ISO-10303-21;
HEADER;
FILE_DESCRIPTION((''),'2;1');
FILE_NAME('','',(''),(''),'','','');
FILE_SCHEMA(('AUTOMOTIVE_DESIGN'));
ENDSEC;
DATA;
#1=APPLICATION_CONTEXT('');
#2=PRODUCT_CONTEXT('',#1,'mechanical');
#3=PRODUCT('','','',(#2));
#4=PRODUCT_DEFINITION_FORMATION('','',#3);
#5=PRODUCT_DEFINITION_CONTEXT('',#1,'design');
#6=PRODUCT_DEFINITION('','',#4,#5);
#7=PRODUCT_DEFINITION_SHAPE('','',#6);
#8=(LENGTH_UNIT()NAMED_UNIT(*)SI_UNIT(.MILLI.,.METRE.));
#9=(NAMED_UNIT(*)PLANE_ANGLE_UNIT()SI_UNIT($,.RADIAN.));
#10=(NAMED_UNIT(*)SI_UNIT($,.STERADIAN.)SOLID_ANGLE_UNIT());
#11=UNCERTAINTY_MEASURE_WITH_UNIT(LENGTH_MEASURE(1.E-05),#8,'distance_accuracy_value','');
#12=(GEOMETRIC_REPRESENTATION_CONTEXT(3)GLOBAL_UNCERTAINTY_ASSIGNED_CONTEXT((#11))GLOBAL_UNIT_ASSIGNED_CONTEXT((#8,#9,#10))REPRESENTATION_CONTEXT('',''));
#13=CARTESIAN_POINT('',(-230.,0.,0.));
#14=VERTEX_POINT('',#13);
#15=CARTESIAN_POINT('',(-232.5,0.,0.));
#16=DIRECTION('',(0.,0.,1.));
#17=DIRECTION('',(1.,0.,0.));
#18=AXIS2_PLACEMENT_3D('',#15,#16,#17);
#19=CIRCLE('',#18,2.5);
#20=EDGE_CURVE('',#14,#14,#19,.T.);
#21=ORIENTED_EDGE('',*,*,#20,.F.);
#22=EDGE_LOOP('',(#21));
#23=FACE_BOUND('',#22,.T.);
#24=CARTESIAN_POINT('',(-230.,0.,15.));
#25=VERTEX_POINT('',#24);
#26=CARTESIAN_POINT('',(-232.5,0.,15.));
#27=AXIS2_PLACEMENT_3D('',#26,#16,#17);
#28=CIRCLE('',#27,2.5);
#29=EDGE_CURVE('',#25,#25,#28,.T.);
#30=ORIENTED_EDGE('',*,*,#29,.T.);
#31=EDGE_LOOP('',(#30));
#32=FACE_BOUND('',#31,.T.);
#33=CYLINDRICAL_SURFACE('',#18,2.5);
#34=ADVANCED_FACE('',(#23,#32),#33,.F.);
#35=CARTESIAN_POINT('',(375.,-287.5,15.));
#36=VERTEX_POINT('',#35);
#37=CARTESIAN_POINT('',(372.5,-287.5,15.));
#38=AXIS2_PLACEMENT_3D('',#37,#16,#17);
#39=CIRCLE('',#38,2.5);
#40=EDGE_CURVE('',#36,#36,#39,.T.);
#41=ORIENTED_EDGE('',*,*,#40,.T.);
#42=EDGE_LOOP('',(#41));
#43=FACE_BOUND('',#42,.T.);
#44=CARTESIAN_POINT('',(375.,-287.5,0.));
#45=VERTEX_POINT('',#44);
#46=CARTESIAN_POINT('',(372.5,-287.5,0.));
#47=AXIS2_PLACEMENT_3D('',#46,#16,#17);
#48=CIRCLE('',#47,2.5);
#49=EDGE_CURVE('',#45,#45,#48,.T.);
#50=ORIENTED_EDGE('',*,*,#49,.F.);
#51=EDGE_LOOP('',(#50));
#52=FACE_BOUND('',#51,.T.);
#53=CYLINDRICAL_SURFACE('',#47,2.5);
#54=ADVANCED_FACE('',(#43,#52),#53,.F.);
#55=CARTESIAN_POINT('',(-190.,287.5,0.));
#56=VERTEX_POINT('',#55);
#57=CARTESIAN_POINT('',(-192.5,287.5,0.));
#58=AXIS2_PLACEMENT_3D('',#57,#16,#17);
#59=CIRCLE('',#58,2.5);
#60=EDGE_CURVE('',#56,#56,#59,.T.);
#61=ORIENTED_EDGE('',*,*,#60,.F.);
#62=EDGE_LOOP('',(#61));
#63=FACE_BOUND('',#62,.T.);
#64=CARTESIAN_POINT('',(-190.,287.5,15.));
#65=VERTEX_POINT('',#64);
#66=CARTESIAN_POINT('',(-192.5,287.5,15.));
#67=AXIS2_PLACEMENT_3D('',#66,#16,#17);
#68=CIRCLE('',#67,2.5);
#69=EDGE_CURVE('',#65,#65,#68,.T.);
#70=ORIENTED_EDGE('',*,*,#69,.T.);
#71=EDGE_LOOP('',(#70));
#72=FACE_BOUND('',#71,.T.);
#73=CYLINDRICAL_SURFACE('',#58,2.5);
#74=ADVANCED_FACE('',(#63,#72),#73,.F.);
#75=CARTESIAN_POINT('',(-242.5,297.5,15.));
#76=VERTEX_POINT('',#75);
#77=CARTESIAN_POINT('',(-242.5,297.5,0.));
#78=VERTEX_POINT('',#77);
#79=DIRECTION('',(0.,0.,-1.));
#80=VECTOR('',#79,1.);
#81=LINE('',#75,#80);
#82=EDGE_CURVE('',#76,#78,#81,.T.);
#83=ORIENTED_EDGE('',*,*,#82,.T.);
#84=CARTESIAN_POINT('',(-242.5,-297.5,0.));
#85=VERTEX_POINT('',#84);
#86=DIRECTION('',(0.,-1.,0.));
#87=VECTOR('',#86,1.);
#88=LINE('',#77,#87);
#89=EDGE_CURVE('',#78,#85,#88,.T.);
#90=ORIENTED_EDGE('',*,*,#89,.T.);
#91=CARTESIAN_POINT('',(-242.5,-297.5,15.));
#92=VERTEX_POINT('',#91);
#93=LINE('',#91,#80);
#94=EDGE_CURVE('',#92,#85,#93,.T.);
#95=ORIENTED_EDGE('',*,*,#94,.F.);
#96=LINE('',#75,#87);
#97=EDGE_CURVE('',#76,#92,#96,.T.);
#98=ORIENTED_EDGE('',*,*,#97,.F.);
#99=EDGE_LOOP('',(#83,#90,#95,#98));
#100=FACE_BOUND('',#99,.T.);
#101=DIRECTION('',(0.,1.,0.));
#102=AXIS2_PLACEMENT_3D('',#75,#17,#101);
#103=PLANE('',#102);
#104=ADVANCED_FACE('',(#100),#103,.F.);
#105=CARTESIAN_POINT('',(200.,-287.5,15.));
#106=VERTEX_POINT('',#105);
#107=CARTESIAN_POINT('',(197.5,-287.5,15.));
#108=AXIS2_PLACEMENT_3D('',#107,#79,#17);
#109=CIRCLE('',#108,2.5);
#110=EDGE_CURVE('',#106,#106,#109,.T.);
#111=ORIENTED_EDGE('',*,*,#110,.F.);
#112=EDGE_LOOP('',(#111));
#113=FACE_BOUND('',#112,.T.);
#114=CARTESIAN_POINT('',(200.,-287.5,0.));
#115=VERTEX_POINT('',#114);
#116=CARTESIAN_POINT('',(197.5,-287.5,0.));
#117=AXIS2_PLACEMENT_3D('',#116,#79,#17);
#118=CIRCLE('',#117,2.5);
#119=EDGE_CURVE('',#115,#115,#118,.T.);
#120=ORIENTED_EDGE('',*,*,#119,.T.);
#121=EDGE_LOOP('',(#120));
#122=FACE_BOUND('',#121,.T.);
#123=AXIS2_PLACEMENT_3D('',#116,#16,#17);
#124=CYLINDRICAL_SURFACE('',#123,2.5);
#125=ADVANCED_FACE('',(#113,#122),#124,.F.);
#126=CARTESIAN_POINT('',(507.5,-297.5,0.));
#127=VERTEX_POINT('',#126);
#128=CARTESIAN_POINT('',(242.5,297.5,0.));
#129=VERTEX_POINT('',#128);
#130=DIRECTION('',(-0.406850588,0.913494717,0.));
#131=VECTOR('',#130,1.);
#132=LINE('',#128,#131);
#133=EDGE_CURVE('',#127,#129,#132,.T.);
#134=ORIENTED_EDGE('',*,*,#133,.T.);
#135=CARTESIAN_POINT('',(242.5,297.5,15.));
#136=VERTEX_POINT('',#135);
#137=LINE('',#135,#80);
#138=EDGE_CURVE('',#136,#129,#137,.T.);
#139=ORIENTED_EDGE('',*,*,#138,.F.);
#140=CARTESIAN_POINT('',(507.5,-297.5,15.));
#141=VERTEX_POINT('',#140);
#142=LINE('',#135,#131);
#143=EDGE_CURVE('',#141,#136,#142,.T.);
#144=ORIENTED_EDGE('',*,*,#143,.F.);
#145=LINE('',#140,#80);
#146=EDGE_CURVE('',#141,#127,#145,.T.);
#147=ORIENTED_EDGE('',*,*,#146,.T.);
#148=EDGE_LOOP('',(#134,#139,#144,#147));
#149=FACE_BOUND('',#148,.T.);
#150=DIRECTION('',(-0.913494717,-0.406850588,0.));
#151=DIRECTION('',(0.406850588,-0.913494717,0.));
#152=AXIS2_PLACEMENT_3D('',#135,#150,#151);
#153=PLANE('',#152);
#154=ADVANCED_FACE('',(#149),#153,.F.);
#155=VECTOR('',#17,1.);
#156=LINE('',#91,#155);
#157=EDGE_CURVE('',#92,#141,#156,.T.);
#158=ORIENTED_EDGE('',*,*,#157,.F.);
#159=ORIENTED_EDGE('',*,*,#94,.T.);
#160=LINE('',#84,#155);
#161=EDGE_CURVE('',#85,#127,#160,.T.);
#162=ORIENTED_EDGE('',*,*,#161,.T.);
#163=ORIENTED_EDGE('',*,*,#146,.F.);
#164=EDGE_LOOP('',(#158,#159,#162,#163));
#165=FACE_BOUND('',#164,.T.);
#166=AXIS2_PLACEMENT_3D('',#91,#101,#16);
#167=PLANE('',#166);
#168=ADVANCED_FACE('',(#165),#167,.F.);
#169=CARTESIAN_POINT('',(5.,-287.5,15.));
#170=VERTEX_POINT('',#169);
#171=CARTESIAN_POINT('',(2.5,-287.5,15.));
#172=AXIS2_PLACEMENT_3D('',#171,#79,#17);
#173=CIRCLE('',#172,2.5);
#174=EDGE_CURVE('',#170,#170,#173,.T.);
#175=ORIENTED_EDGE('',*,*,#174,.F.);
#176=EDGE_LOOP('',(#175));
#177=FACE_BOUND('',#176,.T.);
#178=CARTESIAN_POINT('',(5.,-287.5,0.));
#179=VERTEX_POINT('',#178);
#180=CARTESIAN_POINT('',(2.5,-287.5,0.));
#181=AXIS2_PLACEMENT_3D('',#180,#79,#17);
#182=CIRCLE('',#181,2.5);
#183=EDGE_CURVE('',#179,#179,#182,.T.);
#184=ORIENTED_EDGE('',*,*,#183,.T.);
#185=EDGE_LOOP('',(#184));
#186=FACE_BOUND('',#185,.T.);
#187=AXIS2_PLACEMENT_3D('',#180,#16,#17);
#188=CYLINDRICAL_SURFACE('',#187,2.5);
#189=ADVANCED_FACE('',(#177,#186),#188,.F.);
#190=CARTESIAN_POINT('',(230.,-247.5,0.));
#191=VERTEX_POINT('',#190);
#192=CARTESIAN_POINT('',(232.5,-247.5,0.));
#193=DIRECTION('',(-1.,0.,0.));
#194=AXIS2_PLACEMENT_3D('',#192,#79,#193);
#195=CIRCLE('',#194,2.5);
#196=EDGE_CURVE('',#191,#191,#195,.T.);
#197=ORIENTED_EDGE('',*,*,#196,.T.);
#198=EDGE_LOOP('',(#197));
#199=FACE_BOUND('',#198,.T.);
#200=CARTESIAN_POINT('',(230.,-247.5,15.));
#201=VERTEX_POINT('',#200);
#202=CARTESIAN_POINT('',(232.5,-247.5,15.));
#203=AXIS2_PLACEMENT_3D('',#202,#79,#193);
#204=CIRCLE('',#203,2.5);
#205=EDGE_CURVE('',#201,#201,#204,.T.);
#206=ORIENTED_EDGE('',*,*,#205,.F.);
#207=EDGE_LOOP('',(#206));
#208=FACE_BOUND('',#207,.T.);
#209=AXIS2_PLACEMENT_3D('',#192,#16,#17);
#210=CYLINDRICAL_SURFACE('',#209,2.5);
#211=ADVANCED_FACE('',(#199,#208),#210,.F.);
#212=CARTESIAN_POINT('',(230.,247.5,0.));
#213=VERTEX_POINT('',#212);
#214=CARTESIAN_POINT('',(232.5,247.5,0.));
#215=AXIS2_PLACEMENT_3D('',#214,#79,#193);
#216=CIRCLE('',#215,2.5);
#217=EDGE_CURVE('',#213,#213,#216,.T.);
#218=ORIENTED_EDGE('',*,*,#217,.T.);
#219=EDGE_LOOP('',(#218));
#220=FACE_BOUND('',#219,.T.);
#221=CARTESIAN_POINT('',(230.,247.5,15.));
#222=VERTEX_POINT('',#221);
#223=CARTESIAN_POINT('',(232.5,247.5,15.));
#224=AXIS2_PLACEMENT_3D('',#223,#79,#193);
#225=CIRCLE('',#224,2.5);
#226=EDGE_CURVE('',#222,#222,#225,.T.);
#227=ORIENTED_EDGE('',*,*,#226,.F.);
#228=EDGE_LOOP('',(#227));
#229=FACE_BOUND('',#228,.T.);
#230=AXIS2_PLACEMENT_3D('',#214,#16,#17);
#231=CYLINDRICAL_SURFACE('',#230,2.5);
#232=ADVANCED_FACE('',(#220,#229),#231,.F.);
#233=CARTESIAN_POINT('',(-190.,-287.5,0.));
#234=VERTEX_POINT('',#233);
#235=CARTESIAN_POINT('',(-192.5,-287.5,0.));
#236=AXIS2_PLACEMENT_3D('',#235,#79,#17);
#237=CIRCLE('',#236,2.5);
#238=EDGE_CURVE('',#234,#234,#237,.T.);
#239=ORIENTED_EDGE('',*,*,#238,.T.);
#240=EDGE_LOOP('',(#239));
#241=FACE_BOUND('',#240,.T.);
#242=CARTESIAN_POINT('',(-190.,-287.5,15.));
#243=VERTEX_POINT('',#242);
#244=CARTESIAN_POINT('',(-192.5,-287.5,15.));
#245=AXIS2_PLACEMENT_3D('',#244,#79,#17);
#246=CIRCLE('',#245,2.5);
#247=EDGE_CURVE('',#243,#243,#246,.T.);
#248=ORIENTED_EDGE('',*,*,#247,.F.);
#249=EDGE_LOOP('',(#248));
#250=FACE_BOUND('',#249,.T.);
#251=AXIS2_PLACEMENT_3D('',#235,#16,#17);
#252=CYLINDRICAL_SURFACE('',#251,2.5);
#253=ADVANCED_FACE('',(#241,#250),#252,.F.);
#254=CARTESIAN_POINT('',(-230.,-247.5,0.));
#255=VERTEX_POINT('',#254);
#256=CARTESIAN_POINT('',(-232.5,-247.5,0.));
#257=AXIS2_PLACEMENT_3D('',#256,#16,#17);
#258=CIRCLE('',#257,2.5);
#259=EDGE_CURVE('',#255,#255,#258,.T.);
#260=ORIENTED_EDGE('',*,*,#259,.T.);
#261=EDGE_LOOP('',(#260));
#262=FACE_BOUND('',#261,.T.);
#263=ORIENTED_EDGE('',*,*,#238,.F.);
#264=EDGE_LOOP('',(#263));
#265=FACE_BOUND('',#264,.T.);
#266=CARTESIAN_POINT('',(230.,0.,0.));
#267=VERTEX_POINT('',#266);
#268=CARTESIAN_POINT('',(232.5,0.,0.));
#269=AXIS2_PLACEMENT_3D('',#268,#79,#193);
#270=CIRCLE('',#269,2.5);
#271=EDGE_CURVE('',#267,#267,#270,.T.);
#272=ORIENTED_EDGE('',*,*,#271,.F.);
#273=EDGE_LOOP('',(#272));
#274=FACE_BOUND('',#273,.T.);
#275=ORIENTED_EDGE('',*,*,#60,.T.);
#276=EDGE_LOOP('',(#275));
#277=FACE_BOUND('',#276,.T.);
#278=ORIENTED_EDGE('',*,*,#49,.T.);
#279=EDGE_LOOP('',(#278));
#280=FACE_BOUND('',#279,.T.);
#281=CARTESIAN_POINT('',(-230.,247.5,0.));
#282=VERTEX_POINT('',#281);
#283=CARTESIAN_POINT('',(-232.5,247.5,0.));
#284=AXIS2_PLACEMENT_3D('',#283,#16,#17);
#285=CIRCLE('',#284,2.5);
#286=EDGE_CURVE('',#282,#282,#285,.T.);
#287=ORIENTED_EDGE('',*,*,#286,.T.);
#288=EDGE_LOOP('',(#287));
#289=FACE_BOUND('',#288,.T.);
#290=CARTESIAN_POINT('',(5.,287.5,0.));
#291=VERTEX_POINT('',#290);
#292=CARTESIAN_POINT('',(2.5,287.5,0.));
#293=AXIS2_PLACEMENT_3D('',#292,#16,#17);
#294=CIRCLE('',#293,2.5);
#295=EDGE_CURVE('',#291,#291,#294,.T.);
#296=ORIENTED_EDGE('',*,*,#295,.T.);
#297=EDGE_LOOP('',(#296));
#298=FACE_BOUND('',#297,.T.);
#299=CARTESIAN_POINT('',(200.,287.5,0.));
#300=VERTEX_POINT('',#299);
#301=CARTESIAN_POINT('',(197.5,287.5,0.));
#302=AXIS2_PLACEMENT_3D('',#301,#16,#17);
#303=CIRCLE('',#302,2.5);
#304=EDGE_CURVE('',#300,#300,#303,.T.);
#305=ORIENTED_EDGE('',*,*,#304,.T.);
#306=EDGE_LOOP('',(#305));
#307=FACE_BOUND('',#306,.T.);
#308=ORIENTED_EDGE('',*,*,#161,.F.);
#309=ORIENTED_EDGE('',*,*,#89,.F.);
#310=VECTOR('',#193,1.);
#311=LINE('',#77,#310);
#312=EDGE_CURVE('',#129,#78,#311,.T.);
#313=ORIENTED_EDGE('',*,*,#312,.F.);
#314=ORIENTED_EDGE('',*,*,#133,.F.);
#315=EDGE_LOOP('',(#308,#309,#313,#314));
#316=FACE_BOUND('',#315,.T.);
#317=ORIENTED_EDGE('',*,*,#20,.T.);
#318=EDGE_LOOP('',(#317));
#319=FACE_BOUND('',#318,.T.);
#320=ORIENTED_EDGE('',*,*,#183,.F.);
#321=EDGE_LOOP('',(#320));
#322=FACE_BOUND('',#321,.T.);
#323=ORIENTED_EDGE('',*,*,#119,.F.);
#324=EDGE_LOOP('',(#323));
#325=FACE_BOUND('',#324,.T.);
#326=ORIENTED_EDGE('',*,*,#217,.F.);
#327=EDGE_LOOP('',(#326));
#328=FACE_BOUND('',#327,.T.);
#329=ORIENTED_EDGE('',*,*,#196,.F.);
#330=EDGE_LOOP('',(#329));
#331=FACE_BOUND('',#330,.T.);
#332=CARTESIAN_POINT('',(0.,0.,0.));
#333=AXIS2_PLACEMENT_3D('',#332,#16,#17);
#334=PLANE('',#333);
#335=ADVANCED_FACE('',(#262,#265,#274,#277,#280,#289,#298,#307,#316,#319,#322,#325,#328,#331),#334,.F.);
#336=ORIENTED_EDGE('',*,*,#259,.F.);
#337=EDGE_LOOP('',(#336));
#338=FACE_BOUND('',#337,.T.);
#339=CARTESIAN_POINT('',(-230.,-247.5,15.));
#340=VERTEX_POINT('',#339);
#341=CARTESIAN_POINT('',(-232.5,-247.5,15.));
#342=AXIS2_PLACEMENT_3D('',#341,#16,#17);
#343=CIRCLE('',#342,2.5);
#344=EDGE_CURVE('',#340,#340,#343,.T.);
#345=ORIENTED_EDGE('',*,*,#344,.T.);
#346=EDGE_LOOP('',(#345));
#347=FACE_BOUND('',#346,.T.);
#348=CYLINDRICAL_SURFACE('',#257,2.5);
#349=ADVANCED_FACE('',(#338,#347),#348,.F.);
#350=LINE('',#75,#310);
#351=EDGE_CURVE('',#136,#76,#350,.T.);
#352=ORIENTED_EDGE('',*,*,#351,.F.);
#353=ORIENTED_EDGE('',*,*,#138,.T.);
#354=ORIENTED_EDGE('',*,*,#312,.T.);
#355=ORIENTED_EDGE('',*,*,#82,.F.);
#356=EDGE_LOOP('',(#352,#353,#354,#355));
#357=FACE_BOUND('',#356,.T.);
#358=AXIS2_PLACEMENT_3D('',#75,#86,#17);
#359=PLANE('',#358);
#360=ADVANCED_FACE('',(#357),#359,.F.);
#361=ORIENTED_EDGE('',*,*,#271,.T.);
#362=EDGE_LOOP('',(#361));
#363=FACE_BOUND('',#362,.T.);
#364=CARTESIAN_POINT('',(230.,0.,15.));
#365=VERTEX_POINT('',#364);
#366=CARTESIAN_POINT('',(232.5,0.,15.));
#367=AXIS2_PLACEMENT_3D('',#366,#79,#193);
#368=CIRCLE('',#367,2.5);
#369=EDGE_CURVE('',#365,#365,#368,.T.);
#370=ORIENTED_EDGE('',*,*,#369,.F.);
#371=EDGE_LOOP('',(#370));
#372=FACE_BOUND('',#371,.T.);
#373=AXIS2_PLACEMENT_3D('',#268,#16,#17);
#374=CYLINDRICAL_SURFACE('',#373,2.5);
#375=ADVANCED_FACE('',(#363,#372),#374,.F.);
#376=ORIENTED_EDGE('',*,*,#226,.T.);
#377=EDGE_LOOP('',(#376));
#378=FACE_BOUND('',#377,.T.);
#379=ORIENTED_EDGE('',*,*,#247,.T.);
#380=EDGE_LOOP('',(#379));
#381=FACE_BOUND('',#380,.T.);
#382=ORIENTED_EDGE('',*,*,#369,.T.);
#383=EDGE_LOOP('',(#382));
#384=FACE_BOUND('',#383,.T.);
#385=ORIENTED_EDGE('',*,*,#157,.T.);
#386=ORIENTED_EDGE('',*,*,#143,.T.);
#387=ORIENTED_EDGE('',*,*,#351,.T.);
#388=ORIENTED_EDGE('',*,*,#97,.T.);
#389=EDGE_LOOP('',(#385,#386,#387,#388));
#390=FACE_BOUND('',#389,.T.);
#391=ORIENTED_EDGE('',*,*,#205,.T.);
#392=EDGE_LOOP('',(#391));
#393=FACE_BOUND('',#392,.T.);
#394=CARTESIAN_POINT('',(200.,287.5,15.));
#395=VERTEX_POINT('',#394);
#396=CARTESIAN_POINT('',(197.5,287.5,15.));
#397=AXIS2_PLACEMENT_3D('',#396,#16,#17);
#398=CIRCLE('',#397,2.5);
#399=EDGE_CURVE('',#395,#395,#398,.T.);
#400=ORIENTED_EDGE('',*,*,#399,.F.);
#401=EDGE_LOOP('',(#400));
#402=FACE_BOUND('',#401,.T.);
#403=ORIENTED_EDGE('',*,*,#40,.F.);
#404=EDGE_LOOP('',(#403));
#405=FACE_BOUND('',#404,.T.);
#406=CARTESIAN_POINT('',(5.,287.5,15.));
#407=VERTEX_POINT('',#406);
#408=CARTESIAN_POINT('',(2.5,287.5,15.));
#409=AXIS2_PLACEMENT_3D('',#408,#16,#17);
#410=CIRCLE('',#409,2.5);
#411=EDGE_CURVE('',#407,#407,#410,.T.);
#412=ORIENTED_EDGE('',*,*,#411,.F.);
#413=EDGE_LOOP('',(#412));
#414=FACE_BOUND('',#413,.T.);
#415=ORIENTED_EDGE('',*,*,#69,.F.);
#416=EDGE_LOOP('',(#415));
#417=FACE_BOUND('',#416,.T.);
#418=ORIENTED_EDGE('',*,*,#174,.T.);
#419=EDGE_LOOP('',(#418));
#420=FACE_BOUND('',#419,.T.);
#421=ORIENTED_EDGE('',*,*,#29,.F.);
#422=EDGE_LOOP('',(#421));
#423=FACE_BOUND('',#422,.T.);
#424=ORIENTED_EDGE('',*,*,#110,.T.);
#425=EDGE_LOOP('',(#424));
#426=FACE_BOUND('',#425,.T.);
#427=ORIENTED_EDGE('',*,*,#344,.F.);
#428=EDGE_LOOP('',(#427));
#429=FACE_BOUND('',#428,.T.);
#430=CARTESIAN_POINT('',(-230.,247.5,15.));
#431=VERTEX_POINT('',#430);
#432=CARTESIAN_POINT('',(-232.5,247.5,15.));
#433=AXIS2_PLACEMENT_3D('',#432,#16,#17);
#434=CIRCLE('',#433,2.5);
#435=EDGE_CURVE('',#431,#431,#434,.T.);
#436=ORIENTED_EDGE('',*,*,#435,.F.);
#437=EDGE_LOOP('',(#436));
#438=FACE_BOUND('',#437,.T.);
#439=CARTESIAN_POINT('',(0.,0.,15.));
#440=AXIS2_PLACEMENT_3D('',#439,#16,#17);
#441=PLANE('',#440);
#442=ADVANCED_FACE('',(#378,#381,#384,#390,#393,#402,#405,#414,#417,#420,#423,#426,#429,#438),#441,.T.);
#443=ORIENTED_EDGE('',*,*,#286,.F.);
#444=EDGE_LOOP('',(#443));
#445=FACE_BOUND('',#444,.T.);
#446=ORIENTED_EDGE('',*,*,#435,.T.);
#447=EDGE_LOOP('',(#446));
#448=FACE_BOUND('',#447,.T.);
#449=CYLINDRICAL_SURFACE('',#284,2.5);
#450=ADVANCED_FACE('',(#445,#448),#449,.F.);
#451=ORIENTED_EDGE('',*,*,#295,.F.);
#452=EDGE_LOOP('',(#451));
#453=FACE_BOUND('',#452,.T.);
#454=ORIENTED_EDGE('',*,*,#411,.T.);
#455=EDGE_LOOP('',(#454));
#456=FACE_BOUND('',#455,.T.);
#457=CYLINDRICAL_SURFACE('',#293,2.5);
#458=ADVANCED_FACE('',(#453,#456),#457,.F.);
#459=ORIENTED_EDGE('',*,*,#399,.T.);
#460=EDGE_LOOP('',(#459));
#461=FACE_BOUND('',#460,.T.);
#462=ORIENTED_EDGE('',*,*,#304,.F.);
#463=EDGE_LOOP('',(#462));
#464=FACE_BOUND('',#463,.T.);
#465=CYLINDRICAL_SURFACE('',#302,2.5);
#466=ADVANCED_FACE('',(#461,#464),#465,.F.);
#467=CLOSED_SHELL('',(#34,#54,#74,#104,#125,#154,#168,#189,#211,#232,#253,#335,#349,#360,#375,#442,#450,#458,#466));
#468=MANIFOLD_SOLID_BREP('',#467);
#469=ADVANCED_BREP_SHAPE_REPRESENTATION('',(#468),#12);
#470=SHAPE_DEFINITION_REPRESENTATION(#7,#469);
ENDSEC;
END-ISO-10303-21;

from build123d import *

# Parameters (mm, degrees)
EXTRUDE_1_DEPTH     = 15
SKETCH_2_R          = 2.5
CUT_EXTRUDE_1_DEPTH = 589.461978381
SKETCH_2_3_R        = 2.5
CUT_EXTRUDE_2_DEPTH = 589.461978381
SKETCH_4_R          = 2.5
CUT_EXTRUDE_3_DEPTH = 589.461978381


with BuildPart() as part:
    # ｽｹｯﾁ1 → ﾎﾞｽ - 押し出し1 (new body)
    with BuildSketch(Plane.XY):
        Polygon((-242.5, 297.5), (242.5, 297.5), (507.5, -297.5), (-242.5, -297.5), align=None)
    extrude(amount=EXTRUDE_1_DEPTH)

    # ｽｹｯﾁ2 → ｶｯﾄ - 押し出し1 (cut, through all)
    with BuildSketch(Plane.XY.offset(15)):
        with Locations((-192.5, 287.5)):
            Circle(SKETCH_2_R)
        with Locations((2.5, 287.5)):
            Circle(SKETCH_2_R)
        with Locations((197.5, 287.5)):
            Circle(SKETCH_2_R)
    cut_extrude_1 = extrude(amount=-CUT_EXTRUDE_1_DEPTH, mode=Mode.SUBTRACT)

    # ｽｹｯﾁ2<3> → ｶｯﾄ - 押し出し2 (cut, through all)
    with BuildSketch(Plane.XY.offset(15)):
        with Locations((-232.5, 247.5)):
            Circle(SKETCH_2_3_R)
        with Locations((-232.5, 0)):
            Circle(SKETCH_2_3_R)
        with Locations((-232.5, -247.5)):
            Circle(SKETCH_2_3_R)
    cut_extrude_2 = extrude(amount=-CUT_EXTRUDE_2_DEPTH, mode=Mode.SUBTRACT)

    # ﾐﾗｰ1: ｶｯﾄ - 押し出し1 across plane
    add(cut_extrude_1.mirror(Plane.ZX), mode=Mode.SUBTRACT)

    # ﾐﾗｰ2: ｶｯﾄ - 押し出し2 across plane
    add(cut_extrude_2.mirror(Plane(origin=(0, 0, 0), x_dir=(0, 0, 1), z_dir=(1, 0, 0))), mode=Mode.SUBTRACT)

    # ｽｹｯﾁ4 → ｶｯﾄ - 押し出し3 (cut, through all)
    with BuildSketch(Plane.XY.offset(15)):
        with Locations((372.5, -287.5)):
            Circle(SKETCH_4_R)
    extrude(amount=-CUT_EXTRUDE_3_DEPTH, mode=Mode.SUBTRACT)


solid = part.part
